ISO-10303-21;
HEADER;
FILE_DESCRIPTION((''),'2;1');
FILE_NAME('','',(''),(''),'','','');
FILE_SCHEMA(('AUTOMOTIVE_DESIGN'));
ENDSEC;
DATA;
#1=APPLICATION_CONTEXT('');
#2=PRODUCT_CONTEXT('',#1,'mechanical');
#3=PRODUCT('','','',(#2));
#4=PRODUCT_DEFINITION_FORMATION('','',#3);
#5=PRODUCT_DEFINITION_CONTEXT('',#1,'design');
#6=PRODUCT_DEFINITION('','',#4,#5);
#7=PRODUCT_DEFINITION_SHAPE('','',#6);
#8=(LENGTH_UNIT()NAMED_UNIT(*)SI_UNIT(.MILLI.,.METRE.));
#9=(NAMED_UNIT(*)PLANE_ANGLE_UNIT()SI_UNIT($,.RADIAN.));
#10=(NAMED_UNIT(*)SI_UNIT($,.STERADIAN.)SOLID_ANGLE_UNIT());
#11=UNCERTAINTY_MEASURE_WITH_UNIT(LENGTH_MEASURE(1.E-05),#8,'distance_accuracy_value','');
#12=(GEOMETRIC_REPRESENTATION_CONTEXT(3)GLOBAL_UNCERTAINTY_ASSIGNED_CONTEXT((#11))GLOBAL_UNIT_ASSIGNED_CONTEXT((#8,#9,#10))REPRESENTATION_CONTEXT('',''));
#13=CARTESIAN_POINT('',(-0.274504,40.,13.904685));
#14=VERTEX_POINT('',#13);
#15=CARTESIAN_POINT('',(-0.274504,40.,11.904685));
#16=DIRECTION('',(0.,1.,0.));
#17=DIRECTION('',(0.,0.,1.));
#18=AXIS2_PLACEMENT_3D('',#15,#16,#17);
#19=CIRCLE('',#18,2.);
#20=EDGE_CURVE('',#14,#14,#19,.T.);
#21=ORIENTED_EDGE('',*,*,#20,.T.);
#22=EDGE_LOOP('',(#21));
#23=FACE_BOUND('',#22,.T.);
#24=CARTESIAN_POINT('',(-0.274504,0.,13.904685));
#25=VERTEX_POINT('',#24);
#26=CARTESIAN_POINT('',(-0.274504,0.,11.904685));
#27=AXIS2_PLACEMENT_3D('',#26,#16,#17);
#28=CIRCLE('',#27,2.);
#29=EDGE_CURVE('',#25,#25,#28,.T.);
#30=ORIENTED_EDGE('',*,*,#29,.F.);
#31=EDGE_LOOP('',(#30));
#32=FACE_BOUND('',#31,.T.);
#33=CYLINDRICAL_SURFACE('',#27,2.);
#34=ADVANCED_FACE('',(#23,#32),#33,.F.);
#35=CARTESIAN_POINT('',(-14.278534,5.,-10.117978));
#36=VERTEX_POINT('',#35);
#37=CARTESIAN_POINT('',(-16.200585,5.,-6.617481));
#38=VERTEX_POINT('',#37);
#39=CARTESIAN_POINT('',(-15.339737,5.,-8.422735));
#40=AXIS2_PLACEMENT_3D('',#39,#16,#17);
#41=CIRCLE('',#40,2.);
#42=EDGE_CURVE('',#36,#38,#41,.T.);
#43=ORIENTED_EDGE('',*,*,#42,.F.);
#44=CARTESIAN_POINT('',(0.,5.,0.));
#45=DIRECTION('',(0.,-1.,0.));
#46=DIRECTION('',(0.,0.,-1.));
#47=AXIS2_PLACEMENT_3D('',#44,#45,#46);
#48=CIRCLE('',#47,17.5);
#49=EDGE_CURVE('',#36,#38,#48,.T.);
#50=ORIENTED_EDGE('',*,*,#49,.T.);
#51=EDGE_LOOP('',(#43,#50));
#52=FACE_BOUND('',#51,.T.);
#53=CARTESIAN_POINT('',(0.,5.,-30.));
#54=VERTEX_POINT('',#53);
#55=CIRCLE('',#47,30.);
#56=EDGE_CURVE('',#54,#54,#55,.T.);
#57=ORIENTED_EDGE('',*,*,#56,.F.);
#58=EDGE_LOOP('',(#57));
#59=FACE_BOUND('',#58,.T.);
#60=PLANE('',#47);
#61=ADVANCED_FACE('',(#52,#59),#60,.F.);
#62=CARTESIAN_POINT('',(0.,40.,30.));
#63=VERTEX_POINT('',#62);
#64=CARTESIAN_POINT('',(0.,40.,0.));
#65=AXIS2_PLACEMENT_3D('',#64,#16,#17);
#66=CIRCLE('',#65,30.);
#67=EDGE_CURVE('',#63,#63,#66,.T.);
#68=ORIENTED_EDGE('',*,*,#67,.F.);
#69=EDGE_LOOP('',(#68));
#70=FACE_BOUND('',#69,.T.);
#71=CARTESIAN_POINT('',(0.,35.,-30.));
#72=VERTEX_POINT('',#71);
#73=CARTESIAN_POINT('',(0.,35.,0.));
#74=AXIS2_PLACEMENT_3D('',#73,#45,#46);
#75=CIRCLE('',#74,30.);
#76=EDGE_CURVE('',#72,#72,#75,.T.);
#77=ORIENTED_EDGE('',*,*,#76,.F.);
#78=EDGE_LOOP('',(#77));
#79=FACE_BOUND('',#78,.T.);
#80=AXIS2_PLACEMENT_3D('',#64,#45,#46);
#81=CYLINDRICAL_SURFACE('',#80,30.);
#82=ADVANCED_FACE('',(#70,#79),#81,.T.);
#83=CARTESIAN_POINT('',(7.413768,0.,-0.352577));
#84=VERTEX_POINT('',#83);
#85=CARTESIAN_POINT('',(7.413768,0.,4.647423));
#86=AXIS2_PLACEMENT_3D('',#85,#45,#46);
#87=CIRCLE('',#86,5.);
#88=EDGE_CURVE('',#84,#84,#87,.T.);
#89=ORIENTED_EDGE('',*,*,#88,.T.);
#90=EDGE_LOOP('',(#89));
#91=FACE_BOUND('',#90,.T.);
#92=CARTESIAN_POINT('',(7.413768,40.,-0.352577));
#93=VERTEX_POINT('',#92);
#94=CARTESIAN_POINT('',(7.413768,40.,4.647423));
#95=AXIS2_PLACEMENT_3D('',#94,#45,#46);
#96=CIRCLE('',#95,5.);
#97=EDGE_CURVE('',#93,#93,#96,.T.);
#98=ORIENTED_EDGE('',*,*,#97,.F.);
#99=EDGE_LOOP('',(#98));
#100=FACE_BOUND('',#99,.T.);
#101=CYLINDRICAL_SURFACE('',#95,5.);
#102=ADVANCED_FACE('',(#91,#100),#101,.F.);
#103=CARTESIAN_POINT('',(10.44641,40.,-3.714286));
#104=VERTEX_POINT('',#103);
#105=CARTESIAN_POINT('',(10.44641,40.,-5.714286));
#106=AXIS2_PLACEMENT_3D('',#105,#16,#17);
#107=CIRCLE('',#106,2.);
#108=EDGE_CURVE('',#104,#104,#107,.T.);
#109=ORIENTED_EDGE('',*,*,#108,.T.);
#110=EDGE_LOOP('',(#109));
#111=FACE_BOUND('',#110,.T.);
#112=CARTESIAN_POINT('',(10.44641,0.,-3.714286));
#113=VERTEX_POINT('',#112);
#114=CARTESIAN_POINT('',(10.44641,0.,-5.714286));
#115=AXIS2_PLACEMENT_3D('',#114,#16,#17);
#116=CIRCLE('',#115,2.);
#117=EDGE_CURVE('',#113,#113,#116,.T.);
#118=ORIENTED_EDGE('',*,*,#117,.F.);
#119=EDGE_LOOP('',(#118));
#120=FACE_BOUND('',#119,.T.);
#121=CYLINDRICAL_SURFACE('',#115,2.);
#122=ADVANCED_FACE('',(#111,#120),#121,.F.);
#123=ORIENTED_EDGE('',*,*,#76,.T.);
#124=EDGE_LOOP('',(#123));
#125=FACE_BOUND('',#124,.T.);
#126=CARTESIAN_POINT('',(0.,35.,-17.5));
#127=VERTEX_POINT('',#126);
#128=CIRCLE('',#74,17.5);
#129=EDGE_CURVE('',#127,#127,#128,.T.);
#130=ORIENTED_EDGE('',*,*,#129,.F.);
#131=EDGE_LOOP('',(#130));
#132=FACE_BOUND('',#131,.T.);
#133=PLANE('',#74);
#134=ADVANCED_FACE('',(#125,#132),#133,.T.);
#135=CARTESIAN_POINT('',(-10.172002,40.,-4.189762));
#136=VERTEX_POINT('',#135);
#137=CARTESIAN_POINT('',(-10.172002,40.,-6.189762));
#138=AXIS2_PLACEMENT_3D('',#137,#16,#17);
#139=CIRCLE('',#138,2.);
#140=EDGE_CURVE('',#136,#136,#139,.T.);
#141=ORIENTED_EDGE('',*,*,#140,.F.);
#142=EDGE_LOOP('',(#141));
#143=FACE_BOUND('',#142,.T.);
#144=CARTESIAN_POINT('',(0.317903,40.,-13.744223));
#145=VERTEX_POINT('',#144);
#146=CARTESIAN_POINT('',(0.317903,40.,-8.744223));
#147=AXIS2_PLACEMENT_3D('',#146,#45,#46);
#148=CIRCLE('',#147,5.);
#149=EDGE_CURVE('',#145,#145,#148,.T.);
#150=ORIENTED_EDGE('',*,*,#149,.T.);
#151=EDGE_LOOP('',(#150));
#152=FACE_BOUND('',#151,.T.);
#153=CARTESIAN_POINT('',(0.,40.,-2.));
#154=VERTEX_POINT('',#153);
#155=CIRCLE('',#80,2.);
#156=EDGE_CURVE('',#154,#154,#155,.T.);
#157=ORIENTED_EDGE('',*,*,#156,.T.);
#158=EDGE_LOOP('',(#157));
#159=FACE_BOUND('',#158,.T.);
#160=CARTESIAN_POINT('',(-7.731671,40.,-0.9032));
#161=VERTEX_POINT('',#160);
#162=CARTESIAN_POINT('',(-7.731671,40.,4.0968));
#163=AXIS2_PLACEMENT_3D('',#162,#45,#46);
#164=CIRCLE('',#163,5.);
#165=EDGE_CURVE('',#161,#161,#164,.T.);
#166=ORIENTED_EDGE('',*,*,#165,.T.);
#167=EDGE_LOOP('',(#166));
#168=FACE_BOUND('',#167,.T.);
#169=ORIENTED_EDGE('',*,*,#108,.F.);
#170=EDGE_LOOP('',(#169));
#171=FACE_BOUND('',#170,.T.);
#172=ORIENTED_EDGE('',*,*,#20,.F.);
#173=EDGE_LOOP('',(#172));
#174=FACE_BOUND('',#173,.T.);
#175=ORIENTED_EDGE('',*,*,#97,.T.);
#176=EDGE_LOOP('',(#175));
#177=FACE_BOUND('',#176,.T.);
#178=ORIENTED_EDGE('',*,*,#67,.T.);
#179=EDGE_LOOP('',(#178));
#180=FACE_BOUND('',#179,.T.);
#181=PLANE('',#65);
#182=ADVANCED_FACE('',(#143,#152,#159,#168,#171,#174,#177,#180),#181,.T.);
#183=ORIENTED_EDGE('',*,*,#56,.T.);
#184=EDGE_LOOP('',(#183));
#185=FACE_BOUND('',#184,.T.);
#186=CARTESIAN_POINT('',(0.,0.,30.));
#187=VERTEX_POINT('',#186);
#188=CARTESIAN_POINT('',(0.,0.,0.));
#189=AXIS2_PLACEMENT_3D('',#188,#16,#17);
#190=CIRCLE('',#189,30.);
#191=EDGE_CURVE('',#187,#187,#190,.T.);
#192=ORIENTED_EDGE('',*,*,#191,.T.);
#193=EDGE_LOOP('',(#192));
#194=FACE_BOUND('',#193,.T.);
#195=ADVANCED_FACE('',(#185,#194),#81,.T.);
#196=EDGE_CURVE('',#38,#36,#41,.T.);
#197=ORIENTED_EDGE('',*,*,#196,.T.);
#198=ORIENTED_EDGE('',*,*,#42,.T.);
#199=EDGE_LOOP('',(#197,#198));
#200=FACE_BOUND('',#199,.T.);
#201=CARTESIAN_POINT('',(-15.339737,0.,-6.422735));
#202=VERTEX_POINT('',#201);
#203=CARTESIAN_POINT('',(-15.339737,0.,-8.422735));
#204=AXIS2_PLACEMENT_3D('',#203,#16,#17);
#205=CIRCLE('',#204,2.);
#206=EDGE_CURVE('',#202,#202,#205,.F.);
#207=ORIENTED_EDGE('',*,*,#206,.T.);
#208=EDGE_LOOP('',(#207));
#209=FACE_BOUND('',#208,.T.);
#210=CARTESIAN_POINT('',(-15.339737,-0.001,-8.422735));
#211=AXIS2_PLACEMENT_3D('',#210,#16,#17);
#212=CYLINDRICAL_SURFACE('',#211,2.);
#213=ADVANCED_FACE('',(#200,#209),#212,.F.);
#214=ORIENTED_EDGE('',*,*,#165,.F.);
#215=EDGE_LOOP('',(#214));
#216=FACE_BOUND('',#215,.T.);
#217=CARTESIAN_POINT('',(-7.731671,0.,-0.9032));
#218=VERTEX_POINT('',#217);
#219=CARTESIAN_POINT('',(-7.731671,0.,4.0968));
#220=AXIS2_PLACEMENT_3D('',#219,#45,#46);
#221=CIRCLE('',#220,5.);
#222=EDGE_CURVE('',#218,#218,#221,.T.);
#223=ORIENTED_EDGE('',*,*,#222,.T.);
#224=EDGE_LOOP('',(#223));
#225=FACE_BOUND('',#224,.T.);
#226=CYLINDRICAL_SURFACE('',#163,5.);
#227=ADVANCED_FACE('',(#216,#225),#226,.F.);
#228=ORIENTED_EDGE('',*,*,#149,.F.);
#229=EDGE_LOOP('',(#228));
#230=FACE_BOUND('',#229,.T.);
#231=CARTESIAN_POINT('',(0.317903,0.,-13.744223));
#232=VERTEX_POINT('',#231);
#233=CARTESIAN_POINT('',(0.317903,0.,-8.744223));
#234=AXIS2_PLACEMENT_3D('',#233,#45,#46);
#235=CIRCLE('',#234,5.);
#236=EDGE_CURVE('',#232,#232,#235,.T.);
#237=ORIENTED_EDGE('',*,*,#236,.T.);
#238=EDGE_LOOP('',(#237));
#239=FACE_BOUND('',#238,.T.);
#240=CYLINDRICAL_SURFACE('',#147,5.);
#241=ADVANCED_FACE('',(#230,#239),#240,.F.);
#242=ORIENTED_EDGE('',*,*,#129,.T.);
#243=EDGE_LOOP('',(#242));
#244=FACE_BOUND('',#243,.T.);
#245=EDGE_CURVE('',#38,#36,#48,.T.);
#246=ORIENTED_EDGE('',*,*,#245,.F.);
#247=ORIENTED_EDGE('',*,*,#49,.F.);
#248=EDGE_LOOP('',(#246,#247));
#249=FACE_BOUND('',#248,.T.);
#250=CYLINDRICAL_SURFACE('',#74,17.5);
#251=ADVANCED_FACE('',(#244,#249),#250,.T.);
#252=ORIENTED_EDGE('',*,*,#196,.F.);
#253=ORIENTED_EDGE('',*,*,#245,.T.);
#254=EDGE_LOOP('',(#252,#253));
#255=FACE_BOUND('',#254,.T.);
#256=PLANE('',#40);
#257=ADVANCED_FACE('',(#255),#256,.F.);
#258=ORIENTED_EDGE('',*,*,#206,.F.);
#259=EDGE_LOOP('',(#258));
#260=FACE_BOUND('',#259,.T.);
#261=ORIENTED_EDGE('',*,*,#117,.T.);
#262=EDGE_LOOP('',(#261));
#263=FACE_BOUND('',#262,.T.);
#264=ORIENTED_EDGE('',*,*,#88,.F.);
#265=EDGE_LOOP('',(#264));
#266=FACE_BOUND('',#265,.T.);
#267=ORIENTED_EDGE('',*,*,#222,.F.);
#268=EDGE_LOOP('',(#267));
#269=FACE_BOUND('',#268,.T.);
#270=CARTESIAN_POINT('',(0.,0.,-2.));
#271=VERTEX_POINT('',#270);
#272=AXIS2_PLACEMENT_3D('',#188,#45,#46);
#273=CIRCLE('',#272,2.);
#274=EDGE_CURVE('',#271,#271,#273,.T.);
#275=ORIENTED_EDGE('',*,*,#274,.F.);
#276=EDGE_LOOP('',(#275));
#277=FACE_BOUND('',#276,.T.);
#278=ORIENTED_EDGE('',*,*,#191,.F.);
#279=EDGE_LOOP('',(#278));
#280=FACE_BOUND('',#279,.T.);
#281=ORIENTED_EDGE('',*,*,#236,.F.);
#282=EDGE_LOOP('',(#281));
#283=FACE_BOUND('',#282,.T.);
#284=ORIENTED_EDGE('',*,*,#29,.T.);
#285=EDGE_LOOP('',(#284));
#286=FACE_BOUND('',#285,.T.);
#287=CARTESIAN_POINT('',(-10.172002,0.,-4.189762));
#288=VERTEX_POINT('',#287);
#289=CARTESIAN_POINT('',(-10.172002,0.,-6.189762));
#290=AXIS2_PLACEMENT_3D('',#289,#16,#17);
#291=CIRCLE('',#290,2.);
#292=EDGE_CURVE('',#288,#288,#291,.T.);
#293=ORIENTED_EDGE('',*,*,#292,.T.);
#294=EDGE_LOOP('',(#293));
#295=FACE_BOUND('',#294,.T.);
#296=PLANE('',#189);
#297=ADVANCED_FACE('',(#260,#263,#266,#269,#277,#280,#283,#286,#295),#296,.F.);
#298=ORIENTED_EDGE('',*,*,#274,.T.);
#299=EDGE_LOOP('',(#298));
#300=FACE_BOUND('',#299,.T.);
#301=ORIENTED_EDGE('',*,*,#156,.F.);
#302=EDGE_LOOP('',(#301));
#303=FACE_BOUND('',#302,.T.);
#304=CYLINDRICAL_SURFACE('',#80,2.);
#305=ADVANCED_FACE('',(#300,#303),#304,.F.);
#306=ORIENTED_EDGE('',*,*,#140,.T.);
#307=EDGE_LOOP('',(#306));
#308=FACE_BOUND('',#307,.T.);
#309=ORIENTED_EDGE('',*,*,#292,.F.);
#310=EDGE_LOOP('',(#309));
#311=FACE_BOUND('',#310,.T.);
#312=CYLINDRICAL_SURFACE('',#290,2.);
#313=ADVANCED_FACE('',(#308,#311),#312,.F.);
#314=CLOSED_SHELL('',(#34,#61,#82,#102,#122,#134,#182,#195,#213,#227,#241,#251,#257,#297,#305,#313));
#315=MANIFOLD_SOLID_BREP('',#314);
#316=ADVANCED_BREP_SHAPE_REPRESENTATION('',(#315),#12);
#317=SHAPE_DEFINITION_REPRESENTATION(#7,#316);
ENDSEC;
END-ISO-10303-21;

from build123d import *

# Parameters (mm, degrees)
SKETCH1_R           = 30
BOSS_EXTRUDE1_DEPTH = 40
CUT_EXTRUDE1_START  = -5
SKETCH2_OUTSIDE_W   = 80.762
SKETCH2_OUTSIDE_H   = 80.762
SKETCH2_OUTSIDE_R   = 17.5
CUT_EXTRUDE1_DEPTH  = 30
SKETCH3_R           = 2
CUT_EXTRUDE2_DEPTH  = 59.309518948
CUT_EXTRUDE3_DEPTH  = 59.309518948
CUT_EXTRUDE4_REACH  = 57
SKETCH5_R           = 2
SKETCH8_R           = 2
CUT_EXTRUDE5_DEPTH  = 59.309518948


with BuildPart() as part:
    # Sketch1 → Boss-Extrude1 (new body)
    with BuildSketch(Plane(origin=(0, 0, 0), x_dir=(1, 0, 0), z_dir=(0, 1, 0))):
        with Locations(Location((0, 0, 0), (0, 0, 270))):
            Circle(SKETCH1_R)
    extrude(amount=BOSS_EXTRUDE1_DEPTH)

    # Sketch2 outside → Cut-Extrude1 (cut)
    with BuildSketch(Plane.XZ.offset(CUT_EXTRUDE1_START)):
        Rectangle(SKETCH2_OUTSIDE_W, SKETCH2_OUTSIDE_H)
        with Locations(Location((0, 0, 0), (0, 0, 270))):
            Circle(SKETCH2_OUTSIDE_R, mode=Mode.SUBTRACT)
    extrude(amount=-CUT_EXTRUDE1_DEPTH, mode=Mode.SUBTRACT)

    # Sketch3 → Cut-Extrude2 (cut, through all)
    with BuildSketch(Plane.XZ):
        with Locations(Location((0, 0, 0), (0, 0, 270))):
            Circle(SKETCH3_R)
    extrude(amount=-CUT_EXTRUDE2_DEPTH, mode=Mode.SUBTRACT)

    # Sketch4 → Cut-Extrude3 (cut, through all)
    with BuildSketch(Plane.XZ):
        with BuildLine():
            ThreePointArc((5.314601624, -8.562564428), (0.136244015, -3.747524192), (-4.678796221, -8.925881801))
            Line((-4.678796221, -8.925881801), (5.314601624, -8.562564428))
        make_face()
        with BuildLine():
            Line((5.314601624, -8.562564428), (-4.678796221, -8.925881801))
            ThreePointArc((-4.678796221, -8.925881801), (0.40874704, -13.743397777), (5.317902702, -8.744223114))
            ThreePointArc((5.317902702, -8.744223114), (5.317077364, -8.653378776), (5.314601624, -8.562564428))
        make_face()
        with BuildLine():
            ThreePointArc((4.758097504, 8.883862231), (3.177329144, 1.991752874), (10.069438501, 0.410984514))
            Line((10.069438501, 0.410984514), (4.758097504, 8.883862231))
        make_face()
        with BuildLine():
            Line((4.758097504, 8.883862231), (10.069438501, 0.410984514))
            ThreePointArc((10.069438501, 0.410984514), (11.788602428, 2.226509547), (12.413768003, 4.647423373))
            ThreePointArc((12.413768003, 4.647423373), (9.834681829, 9.022257798), (4.758097504, 8.883862231))
        make_face()
        with BuildLine():
            ThreePointArc((-5.39064228, 8.514897287), (-12.149768249, 6.437828165), (-10.072699128, -0.321297804))
            Line((-10.072699128, -0.321297804), (-5.39064228, 8.514897287))
        make_face()
        with BuildLine():
            Line((-5.39064228, 8.514897287), (-10.072699128, -0.321297804))
            ThreePointArc((-10.072699128, -0.321297804), (-5.153409868, -0.187190345), (-2.731670704, 4.096799742))
            ThreePointArc((-2.731670704, 4.096799742), (-3.447680618, 6.675060578), (-5.39064228, 8.514897287))
        make_face()
    extrude(amount=-CUT_EXTRUDE3_DEPTH, mode=Mode.SUBTRACT)

    # Sketch5 → Cut-Extrude4 (cut, up to next)
    with BuildSketch(Plane(origin=(0, 5, 0), x_dir=(1, 0, 0), z_dir=(0, 1, 0)), mode=Mode.PRIVATE) as cut_extrude4_sk1:
        with Locations(Location((-15.339737127, 8.422734999, 0), (0, 0, 270))):
            Circle(SKETCH5_R)
    cut_extrude4_tool1 = extrude(cut_extrude4_sk1.sketch, amount=-CUT_EXTRUDE4_REACH, mode=Mode.PRIVATE) & part.part
    add(cut_extrude4_tool1.solids().sort_by_distance((-15.339737, 5, -8.422735))[0], mode=Mode.SUBTRACT)

    # Sketch8 → Cut-Extrude5 (cut, through all)
    with BuildSketch(Plane(origin=(0, 40, 0), x_dir=(1, 0, 0), z_dir=(0, 1, 0))):
        with Locations(Location((-0.274503836, -11.904684903, 0), (0, 0, 270))):
            Circle(SKETCH8_R)
        with Locations(Location((10.446409645, 5.714285954, 0), (0, 0, 270))):
            Circle(SKETCH8_R)
        with Locations(Location((-10.172001933, 6.189762023, 0), (0, 0, 270))):
            Circle(SKETCH8_R)
    extrude(amount=-CUT_EXTRUDE5_DEPTH, mode=Mode.SUBTRACT)


solid = part.part
